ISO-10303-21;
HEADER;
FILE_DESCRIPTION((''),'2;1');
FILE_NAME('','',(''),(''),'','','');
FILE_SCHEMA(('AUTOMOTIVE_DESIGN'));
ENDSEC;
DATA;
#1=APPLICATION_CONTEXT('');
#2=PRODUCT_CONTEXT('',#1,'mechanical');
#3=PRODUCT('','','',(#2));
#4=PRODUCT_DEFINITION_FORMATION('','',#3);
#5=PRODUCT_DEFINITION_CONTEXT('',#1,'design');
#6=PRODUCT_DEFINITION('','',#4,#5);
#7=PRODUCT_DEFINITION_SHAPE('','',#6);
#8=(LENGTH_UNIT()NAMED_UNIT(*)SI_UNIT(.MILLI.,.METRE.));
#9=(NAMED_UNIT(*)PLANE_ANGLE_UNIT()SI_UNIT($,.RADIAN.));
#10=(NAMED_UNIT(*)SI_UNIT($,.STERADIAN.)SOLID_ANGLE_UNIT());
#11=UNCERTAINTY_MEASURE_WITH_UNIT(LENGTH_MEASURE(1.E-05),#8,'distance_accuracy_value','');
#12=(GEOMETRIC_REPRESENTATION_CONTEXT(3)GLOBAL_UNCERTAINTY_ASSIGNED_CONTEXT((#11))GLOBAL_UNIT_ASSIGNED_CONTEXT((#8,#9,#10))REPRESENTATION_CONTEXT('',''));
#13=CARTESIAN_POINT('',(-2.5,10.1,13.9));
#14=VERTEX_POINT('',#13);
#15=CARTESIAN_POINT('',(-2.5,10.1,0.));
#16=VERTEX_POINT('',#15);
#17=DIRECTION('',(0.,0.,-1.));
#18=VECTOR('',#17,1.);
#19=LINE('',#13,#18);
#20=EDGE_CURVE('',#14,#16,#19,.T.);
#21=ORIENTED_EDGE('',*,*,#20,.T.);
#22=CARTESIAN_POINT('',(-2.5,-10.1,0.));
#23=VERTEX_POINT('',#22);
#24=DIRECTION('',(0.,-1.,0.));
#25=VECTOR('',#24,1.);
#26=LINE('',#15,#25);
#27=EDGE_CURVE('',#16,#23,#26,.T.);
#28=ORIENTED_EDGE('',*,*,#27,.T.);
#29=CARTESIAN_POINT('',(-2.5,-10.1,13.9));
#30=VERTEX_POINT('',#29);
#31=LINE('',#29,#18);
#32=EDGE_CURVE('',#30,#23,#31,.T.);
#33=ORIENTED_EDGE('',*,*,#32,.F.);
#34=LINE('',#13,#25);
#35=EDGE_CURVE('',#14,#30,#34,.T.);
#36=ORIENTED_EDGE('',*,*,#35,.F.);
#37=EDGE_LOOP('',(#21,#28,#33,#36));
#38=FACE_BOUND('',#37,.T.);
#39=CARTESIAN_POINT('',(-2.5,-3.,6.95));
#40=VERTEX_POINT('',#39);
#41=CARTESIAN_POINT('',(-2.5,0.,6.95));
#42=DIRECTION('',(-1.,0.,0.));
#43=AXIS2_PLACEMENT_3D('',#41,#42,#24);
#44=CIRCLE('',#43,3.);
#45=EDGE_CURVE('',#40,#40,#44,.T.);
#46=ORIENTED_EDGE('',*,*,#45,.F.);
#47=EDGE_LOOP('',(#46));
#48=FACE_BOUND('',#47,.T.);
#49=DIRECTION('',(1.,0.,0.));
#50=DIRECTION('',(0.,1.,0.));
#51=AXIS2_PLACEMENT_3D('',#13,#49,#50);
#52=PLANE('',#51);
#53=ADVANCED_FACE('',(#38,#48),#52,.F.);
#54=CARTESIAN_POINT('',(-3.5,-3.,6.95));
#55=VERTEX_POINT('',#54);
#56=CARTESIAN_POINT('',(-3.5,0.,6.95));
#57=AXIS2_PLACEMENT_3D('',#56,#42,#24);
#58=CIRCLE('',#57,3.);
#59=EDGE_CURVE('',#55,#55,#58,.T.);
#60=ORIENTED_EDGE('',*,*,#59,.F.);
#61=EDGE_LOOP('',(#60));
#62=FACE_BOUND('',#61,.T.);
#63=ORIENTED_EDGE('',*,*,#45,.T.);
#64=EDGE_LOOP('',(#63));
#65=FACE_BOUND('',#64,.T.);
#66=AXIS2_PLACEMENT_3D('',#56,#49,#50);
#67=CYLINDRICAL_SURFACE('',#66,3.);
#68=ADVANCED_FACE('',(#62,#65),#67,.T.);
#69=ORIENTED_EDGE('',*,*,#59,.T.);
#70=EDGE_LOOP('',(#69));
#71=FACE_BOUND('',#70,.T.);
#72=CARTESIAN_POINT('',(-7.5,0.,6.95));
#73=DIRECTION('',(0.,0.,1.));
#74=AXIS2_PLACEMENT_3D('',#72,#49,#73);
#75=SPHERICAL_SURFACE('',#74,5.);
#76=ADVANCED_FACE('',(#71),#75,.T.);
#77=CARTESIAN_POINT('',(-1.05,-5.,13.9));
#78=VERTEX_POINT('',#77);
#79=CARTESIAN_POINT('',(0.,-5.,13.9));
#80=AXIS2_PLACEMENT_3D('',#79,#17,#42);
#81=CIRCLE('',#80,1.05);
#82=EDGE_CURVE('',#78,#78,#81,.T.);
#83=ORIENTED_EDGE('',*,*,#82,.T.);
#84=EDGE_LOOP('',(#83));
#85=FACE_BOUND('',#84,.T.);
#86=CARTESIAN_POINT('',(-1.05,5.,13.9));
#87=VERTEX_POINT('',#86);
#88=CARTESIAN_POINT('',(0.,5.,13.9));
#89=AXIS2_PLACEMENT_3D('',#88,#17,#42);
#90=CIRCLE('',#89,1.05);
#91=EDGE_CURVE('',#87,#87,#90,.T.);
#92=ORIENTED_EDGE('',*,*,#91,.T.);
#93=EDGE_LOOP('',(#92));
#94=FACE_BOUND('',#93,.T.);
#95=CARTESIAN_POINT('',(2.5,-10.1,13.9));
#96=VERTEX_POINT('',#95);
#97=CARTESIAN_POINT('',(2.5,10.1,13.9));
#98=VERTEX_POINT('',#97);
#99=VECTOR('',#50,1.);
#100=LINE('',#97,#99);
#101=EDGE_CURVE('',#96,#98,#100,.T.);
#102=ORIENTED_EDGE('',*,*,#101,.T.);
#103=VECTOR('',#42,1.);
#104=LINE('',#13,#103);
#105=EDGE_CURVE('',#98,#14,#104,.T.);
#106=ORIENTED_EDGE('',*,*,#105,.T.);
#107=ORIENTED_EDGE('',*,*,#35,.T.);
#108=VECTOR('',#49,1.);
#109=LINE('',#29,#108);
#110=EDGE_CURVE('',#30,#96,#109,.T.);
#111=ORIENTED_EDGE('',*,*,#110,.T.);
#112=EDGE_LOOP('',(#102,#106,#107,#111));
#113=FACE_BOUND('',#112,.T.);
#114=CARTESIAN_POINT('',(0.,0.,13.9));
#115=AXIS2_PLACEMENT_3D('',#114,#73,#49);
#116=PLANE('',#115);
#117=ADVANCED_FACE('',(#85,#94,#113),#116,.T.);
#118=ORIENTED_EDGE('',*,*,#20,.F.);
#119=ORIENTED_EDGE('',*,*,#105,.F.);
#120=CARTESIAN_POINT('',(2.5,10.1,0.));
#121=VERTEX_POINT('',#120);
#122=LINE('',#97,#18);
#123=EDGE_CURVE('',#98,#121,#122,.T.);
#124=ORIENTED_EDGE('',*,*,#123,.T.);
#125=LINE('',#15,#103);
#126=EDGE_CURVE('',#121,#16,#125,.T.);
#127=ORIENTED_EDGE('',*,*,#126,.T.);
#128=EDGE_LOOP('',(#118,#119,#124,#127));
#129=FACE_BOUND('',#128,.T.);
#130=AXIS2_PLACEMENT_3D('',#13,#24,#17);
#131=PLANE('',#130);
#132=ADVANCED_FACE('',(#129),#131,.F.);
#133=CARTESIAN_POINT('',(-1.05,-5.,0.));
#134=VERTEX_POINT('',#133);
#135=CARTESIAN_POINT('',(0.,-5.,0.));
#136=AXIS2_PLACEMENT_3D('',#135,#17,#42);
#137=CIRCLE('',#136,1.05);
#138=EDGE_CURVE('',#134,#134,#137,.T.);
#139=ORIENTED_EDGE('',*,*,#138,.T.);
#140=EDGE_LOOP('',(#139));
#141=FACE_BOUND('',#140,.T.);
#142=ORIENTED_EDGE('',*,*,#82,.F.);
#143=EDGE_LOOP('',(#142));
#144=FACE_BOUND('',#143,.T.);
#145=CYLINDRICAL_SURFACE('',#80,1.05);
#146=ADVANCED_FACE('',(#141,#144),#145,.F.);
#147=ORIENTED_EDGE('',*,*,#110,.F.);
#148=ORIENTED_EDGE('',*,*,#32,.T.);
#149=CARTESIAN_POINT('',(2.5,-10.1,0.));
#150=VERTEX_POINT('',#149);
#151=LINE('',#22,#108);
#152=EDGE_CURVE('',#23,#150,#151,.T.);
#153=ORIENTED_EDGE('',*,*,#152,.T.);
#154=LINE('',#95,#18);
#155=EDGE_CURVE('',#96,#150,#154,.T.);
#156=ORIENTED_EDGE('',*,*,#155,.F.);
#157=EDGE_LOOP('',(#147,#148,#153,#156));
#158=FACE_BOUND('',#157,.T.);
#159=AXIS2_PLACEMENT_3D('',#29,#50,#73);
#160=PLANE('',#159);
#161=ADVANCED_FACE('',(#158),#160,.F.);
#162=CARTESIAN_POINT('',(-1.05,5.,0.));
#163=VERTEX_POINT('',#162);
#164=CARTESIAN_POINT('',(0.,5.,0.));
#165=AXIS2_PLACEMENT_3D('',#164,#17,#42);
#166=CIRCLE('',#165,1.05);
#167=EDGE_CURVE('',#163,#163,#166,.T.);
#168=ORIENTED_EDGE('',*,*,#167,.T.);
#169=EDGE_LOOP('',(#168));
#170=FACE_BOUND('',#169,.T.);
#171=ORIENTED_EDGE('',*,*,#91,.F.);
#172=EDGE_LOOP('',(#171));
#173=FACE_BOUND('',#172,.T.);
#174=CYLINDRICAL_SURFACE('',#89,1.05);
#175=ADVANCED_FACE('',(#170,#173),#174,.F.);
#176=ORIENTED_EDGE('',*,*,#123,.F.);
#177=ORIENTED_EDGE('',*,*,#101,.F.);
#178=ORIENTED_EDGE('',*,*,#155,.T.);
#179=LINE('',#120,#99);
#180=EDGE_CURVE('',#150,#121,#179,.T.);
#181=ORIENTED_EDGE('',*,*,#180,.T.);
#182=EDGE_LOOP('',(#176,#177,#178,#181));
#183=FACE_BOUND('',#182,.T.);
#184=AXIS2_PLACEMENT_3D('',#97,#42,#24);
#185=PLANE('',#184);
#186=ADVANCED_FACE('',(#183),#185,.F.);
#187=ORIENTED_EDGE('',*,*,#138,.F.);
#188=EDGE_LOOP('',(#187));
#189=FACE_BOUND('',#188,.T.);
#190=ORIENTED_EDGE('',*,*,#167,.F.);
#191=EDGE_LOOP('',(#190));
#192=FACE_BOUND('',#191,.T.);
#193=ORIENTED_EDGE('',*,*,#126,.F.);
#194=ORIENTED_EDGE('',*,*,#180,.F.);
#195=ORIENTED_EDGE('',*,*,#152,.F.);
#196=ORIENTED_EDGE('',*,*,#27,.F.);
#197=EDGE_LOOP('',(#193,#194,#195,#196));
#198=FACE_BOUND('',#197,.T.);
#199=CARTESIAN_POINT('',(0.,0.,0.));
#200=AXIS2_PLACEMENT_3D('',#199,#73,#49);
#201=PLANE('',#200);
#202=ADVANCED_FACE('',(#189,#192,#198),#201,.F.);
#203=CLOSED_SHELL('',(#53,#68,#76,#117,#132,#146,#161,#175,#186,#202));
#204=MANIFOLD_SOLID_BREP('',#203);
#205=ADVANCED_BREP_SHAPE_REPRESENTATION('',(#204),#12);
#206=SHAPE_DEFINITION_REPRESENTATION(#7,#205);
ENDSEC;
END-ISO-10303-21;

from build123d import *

# Parameters (mm, degrees)
ESQUISSE1_W             = 5
ESQUISSE1_H             = 20.2
BOSS_EXTRU_1_DEPTH      = 13.9
ESQUISSE4_R             = 1.05
ENL_V_MAT_EXTRU_1_DEPTH = 18.362891464
SKETCH1_R               = 3
BOSS_EXTRUDE1_DEPTH     = 1


with BuildPart() as part:
    # Esquisse1 → Boss.-Extru.1 (new body)
    with BuildSketch(Plane.XY):
        Rectangle(ESQUISSE1_W, ESQUISSE1_H)
    extrude(amount=BOSS_EXTRU_1_DEPTH)

    # Esquisse4 → Enlèv. mat.-Extru.1 (cut, through all)
    with BuildSketch(Plane(origin=(0, 0, 0), x_dir=(-1, 0, 0), z_dir=(0, 0, -1))):
        with Locations((0, 5)):
            Circle(ESQUISSE4_R)
        with Locations((0, -5)):
            Circle(ESQUISSE4_R)
    extrude(amount=-ENL_V_MAT_EXTRU_1_DEPTH, mode=Mode.SUBTRACT)

    # Sketch1 → Boss-Extrude1 (add)
    with BuildSketch(Plane.ZY.offset(2.5)):
        with Locations(Location((6.95, 0, 0), (0, 0, 270))):
            Circle(SKETCH1_R)
    extrude(amount=BOSS_EXTRUDE1_DEPTH)

    # Sketch5 → Revolve4 (revolve)
    with BuildSketch(Plane(origin=(0, 0, 0), x_dir=(-1, 0, 0), z_dir=(0, -1, 0))):
        with BuildLine():
            Line((3.5, -6.95), (12.5, -6.95))
            ThreePointArc((12.5, -6.95), (9.08113883, -11.69341649), (3.5, -9.95))
            Line((3.5, -9.95), (3.5, -6.95))
        make_face()
    revolve(axis=Axis((-3.5, 0, 6.95), (-1, 0, 0)))


solid = part.part
